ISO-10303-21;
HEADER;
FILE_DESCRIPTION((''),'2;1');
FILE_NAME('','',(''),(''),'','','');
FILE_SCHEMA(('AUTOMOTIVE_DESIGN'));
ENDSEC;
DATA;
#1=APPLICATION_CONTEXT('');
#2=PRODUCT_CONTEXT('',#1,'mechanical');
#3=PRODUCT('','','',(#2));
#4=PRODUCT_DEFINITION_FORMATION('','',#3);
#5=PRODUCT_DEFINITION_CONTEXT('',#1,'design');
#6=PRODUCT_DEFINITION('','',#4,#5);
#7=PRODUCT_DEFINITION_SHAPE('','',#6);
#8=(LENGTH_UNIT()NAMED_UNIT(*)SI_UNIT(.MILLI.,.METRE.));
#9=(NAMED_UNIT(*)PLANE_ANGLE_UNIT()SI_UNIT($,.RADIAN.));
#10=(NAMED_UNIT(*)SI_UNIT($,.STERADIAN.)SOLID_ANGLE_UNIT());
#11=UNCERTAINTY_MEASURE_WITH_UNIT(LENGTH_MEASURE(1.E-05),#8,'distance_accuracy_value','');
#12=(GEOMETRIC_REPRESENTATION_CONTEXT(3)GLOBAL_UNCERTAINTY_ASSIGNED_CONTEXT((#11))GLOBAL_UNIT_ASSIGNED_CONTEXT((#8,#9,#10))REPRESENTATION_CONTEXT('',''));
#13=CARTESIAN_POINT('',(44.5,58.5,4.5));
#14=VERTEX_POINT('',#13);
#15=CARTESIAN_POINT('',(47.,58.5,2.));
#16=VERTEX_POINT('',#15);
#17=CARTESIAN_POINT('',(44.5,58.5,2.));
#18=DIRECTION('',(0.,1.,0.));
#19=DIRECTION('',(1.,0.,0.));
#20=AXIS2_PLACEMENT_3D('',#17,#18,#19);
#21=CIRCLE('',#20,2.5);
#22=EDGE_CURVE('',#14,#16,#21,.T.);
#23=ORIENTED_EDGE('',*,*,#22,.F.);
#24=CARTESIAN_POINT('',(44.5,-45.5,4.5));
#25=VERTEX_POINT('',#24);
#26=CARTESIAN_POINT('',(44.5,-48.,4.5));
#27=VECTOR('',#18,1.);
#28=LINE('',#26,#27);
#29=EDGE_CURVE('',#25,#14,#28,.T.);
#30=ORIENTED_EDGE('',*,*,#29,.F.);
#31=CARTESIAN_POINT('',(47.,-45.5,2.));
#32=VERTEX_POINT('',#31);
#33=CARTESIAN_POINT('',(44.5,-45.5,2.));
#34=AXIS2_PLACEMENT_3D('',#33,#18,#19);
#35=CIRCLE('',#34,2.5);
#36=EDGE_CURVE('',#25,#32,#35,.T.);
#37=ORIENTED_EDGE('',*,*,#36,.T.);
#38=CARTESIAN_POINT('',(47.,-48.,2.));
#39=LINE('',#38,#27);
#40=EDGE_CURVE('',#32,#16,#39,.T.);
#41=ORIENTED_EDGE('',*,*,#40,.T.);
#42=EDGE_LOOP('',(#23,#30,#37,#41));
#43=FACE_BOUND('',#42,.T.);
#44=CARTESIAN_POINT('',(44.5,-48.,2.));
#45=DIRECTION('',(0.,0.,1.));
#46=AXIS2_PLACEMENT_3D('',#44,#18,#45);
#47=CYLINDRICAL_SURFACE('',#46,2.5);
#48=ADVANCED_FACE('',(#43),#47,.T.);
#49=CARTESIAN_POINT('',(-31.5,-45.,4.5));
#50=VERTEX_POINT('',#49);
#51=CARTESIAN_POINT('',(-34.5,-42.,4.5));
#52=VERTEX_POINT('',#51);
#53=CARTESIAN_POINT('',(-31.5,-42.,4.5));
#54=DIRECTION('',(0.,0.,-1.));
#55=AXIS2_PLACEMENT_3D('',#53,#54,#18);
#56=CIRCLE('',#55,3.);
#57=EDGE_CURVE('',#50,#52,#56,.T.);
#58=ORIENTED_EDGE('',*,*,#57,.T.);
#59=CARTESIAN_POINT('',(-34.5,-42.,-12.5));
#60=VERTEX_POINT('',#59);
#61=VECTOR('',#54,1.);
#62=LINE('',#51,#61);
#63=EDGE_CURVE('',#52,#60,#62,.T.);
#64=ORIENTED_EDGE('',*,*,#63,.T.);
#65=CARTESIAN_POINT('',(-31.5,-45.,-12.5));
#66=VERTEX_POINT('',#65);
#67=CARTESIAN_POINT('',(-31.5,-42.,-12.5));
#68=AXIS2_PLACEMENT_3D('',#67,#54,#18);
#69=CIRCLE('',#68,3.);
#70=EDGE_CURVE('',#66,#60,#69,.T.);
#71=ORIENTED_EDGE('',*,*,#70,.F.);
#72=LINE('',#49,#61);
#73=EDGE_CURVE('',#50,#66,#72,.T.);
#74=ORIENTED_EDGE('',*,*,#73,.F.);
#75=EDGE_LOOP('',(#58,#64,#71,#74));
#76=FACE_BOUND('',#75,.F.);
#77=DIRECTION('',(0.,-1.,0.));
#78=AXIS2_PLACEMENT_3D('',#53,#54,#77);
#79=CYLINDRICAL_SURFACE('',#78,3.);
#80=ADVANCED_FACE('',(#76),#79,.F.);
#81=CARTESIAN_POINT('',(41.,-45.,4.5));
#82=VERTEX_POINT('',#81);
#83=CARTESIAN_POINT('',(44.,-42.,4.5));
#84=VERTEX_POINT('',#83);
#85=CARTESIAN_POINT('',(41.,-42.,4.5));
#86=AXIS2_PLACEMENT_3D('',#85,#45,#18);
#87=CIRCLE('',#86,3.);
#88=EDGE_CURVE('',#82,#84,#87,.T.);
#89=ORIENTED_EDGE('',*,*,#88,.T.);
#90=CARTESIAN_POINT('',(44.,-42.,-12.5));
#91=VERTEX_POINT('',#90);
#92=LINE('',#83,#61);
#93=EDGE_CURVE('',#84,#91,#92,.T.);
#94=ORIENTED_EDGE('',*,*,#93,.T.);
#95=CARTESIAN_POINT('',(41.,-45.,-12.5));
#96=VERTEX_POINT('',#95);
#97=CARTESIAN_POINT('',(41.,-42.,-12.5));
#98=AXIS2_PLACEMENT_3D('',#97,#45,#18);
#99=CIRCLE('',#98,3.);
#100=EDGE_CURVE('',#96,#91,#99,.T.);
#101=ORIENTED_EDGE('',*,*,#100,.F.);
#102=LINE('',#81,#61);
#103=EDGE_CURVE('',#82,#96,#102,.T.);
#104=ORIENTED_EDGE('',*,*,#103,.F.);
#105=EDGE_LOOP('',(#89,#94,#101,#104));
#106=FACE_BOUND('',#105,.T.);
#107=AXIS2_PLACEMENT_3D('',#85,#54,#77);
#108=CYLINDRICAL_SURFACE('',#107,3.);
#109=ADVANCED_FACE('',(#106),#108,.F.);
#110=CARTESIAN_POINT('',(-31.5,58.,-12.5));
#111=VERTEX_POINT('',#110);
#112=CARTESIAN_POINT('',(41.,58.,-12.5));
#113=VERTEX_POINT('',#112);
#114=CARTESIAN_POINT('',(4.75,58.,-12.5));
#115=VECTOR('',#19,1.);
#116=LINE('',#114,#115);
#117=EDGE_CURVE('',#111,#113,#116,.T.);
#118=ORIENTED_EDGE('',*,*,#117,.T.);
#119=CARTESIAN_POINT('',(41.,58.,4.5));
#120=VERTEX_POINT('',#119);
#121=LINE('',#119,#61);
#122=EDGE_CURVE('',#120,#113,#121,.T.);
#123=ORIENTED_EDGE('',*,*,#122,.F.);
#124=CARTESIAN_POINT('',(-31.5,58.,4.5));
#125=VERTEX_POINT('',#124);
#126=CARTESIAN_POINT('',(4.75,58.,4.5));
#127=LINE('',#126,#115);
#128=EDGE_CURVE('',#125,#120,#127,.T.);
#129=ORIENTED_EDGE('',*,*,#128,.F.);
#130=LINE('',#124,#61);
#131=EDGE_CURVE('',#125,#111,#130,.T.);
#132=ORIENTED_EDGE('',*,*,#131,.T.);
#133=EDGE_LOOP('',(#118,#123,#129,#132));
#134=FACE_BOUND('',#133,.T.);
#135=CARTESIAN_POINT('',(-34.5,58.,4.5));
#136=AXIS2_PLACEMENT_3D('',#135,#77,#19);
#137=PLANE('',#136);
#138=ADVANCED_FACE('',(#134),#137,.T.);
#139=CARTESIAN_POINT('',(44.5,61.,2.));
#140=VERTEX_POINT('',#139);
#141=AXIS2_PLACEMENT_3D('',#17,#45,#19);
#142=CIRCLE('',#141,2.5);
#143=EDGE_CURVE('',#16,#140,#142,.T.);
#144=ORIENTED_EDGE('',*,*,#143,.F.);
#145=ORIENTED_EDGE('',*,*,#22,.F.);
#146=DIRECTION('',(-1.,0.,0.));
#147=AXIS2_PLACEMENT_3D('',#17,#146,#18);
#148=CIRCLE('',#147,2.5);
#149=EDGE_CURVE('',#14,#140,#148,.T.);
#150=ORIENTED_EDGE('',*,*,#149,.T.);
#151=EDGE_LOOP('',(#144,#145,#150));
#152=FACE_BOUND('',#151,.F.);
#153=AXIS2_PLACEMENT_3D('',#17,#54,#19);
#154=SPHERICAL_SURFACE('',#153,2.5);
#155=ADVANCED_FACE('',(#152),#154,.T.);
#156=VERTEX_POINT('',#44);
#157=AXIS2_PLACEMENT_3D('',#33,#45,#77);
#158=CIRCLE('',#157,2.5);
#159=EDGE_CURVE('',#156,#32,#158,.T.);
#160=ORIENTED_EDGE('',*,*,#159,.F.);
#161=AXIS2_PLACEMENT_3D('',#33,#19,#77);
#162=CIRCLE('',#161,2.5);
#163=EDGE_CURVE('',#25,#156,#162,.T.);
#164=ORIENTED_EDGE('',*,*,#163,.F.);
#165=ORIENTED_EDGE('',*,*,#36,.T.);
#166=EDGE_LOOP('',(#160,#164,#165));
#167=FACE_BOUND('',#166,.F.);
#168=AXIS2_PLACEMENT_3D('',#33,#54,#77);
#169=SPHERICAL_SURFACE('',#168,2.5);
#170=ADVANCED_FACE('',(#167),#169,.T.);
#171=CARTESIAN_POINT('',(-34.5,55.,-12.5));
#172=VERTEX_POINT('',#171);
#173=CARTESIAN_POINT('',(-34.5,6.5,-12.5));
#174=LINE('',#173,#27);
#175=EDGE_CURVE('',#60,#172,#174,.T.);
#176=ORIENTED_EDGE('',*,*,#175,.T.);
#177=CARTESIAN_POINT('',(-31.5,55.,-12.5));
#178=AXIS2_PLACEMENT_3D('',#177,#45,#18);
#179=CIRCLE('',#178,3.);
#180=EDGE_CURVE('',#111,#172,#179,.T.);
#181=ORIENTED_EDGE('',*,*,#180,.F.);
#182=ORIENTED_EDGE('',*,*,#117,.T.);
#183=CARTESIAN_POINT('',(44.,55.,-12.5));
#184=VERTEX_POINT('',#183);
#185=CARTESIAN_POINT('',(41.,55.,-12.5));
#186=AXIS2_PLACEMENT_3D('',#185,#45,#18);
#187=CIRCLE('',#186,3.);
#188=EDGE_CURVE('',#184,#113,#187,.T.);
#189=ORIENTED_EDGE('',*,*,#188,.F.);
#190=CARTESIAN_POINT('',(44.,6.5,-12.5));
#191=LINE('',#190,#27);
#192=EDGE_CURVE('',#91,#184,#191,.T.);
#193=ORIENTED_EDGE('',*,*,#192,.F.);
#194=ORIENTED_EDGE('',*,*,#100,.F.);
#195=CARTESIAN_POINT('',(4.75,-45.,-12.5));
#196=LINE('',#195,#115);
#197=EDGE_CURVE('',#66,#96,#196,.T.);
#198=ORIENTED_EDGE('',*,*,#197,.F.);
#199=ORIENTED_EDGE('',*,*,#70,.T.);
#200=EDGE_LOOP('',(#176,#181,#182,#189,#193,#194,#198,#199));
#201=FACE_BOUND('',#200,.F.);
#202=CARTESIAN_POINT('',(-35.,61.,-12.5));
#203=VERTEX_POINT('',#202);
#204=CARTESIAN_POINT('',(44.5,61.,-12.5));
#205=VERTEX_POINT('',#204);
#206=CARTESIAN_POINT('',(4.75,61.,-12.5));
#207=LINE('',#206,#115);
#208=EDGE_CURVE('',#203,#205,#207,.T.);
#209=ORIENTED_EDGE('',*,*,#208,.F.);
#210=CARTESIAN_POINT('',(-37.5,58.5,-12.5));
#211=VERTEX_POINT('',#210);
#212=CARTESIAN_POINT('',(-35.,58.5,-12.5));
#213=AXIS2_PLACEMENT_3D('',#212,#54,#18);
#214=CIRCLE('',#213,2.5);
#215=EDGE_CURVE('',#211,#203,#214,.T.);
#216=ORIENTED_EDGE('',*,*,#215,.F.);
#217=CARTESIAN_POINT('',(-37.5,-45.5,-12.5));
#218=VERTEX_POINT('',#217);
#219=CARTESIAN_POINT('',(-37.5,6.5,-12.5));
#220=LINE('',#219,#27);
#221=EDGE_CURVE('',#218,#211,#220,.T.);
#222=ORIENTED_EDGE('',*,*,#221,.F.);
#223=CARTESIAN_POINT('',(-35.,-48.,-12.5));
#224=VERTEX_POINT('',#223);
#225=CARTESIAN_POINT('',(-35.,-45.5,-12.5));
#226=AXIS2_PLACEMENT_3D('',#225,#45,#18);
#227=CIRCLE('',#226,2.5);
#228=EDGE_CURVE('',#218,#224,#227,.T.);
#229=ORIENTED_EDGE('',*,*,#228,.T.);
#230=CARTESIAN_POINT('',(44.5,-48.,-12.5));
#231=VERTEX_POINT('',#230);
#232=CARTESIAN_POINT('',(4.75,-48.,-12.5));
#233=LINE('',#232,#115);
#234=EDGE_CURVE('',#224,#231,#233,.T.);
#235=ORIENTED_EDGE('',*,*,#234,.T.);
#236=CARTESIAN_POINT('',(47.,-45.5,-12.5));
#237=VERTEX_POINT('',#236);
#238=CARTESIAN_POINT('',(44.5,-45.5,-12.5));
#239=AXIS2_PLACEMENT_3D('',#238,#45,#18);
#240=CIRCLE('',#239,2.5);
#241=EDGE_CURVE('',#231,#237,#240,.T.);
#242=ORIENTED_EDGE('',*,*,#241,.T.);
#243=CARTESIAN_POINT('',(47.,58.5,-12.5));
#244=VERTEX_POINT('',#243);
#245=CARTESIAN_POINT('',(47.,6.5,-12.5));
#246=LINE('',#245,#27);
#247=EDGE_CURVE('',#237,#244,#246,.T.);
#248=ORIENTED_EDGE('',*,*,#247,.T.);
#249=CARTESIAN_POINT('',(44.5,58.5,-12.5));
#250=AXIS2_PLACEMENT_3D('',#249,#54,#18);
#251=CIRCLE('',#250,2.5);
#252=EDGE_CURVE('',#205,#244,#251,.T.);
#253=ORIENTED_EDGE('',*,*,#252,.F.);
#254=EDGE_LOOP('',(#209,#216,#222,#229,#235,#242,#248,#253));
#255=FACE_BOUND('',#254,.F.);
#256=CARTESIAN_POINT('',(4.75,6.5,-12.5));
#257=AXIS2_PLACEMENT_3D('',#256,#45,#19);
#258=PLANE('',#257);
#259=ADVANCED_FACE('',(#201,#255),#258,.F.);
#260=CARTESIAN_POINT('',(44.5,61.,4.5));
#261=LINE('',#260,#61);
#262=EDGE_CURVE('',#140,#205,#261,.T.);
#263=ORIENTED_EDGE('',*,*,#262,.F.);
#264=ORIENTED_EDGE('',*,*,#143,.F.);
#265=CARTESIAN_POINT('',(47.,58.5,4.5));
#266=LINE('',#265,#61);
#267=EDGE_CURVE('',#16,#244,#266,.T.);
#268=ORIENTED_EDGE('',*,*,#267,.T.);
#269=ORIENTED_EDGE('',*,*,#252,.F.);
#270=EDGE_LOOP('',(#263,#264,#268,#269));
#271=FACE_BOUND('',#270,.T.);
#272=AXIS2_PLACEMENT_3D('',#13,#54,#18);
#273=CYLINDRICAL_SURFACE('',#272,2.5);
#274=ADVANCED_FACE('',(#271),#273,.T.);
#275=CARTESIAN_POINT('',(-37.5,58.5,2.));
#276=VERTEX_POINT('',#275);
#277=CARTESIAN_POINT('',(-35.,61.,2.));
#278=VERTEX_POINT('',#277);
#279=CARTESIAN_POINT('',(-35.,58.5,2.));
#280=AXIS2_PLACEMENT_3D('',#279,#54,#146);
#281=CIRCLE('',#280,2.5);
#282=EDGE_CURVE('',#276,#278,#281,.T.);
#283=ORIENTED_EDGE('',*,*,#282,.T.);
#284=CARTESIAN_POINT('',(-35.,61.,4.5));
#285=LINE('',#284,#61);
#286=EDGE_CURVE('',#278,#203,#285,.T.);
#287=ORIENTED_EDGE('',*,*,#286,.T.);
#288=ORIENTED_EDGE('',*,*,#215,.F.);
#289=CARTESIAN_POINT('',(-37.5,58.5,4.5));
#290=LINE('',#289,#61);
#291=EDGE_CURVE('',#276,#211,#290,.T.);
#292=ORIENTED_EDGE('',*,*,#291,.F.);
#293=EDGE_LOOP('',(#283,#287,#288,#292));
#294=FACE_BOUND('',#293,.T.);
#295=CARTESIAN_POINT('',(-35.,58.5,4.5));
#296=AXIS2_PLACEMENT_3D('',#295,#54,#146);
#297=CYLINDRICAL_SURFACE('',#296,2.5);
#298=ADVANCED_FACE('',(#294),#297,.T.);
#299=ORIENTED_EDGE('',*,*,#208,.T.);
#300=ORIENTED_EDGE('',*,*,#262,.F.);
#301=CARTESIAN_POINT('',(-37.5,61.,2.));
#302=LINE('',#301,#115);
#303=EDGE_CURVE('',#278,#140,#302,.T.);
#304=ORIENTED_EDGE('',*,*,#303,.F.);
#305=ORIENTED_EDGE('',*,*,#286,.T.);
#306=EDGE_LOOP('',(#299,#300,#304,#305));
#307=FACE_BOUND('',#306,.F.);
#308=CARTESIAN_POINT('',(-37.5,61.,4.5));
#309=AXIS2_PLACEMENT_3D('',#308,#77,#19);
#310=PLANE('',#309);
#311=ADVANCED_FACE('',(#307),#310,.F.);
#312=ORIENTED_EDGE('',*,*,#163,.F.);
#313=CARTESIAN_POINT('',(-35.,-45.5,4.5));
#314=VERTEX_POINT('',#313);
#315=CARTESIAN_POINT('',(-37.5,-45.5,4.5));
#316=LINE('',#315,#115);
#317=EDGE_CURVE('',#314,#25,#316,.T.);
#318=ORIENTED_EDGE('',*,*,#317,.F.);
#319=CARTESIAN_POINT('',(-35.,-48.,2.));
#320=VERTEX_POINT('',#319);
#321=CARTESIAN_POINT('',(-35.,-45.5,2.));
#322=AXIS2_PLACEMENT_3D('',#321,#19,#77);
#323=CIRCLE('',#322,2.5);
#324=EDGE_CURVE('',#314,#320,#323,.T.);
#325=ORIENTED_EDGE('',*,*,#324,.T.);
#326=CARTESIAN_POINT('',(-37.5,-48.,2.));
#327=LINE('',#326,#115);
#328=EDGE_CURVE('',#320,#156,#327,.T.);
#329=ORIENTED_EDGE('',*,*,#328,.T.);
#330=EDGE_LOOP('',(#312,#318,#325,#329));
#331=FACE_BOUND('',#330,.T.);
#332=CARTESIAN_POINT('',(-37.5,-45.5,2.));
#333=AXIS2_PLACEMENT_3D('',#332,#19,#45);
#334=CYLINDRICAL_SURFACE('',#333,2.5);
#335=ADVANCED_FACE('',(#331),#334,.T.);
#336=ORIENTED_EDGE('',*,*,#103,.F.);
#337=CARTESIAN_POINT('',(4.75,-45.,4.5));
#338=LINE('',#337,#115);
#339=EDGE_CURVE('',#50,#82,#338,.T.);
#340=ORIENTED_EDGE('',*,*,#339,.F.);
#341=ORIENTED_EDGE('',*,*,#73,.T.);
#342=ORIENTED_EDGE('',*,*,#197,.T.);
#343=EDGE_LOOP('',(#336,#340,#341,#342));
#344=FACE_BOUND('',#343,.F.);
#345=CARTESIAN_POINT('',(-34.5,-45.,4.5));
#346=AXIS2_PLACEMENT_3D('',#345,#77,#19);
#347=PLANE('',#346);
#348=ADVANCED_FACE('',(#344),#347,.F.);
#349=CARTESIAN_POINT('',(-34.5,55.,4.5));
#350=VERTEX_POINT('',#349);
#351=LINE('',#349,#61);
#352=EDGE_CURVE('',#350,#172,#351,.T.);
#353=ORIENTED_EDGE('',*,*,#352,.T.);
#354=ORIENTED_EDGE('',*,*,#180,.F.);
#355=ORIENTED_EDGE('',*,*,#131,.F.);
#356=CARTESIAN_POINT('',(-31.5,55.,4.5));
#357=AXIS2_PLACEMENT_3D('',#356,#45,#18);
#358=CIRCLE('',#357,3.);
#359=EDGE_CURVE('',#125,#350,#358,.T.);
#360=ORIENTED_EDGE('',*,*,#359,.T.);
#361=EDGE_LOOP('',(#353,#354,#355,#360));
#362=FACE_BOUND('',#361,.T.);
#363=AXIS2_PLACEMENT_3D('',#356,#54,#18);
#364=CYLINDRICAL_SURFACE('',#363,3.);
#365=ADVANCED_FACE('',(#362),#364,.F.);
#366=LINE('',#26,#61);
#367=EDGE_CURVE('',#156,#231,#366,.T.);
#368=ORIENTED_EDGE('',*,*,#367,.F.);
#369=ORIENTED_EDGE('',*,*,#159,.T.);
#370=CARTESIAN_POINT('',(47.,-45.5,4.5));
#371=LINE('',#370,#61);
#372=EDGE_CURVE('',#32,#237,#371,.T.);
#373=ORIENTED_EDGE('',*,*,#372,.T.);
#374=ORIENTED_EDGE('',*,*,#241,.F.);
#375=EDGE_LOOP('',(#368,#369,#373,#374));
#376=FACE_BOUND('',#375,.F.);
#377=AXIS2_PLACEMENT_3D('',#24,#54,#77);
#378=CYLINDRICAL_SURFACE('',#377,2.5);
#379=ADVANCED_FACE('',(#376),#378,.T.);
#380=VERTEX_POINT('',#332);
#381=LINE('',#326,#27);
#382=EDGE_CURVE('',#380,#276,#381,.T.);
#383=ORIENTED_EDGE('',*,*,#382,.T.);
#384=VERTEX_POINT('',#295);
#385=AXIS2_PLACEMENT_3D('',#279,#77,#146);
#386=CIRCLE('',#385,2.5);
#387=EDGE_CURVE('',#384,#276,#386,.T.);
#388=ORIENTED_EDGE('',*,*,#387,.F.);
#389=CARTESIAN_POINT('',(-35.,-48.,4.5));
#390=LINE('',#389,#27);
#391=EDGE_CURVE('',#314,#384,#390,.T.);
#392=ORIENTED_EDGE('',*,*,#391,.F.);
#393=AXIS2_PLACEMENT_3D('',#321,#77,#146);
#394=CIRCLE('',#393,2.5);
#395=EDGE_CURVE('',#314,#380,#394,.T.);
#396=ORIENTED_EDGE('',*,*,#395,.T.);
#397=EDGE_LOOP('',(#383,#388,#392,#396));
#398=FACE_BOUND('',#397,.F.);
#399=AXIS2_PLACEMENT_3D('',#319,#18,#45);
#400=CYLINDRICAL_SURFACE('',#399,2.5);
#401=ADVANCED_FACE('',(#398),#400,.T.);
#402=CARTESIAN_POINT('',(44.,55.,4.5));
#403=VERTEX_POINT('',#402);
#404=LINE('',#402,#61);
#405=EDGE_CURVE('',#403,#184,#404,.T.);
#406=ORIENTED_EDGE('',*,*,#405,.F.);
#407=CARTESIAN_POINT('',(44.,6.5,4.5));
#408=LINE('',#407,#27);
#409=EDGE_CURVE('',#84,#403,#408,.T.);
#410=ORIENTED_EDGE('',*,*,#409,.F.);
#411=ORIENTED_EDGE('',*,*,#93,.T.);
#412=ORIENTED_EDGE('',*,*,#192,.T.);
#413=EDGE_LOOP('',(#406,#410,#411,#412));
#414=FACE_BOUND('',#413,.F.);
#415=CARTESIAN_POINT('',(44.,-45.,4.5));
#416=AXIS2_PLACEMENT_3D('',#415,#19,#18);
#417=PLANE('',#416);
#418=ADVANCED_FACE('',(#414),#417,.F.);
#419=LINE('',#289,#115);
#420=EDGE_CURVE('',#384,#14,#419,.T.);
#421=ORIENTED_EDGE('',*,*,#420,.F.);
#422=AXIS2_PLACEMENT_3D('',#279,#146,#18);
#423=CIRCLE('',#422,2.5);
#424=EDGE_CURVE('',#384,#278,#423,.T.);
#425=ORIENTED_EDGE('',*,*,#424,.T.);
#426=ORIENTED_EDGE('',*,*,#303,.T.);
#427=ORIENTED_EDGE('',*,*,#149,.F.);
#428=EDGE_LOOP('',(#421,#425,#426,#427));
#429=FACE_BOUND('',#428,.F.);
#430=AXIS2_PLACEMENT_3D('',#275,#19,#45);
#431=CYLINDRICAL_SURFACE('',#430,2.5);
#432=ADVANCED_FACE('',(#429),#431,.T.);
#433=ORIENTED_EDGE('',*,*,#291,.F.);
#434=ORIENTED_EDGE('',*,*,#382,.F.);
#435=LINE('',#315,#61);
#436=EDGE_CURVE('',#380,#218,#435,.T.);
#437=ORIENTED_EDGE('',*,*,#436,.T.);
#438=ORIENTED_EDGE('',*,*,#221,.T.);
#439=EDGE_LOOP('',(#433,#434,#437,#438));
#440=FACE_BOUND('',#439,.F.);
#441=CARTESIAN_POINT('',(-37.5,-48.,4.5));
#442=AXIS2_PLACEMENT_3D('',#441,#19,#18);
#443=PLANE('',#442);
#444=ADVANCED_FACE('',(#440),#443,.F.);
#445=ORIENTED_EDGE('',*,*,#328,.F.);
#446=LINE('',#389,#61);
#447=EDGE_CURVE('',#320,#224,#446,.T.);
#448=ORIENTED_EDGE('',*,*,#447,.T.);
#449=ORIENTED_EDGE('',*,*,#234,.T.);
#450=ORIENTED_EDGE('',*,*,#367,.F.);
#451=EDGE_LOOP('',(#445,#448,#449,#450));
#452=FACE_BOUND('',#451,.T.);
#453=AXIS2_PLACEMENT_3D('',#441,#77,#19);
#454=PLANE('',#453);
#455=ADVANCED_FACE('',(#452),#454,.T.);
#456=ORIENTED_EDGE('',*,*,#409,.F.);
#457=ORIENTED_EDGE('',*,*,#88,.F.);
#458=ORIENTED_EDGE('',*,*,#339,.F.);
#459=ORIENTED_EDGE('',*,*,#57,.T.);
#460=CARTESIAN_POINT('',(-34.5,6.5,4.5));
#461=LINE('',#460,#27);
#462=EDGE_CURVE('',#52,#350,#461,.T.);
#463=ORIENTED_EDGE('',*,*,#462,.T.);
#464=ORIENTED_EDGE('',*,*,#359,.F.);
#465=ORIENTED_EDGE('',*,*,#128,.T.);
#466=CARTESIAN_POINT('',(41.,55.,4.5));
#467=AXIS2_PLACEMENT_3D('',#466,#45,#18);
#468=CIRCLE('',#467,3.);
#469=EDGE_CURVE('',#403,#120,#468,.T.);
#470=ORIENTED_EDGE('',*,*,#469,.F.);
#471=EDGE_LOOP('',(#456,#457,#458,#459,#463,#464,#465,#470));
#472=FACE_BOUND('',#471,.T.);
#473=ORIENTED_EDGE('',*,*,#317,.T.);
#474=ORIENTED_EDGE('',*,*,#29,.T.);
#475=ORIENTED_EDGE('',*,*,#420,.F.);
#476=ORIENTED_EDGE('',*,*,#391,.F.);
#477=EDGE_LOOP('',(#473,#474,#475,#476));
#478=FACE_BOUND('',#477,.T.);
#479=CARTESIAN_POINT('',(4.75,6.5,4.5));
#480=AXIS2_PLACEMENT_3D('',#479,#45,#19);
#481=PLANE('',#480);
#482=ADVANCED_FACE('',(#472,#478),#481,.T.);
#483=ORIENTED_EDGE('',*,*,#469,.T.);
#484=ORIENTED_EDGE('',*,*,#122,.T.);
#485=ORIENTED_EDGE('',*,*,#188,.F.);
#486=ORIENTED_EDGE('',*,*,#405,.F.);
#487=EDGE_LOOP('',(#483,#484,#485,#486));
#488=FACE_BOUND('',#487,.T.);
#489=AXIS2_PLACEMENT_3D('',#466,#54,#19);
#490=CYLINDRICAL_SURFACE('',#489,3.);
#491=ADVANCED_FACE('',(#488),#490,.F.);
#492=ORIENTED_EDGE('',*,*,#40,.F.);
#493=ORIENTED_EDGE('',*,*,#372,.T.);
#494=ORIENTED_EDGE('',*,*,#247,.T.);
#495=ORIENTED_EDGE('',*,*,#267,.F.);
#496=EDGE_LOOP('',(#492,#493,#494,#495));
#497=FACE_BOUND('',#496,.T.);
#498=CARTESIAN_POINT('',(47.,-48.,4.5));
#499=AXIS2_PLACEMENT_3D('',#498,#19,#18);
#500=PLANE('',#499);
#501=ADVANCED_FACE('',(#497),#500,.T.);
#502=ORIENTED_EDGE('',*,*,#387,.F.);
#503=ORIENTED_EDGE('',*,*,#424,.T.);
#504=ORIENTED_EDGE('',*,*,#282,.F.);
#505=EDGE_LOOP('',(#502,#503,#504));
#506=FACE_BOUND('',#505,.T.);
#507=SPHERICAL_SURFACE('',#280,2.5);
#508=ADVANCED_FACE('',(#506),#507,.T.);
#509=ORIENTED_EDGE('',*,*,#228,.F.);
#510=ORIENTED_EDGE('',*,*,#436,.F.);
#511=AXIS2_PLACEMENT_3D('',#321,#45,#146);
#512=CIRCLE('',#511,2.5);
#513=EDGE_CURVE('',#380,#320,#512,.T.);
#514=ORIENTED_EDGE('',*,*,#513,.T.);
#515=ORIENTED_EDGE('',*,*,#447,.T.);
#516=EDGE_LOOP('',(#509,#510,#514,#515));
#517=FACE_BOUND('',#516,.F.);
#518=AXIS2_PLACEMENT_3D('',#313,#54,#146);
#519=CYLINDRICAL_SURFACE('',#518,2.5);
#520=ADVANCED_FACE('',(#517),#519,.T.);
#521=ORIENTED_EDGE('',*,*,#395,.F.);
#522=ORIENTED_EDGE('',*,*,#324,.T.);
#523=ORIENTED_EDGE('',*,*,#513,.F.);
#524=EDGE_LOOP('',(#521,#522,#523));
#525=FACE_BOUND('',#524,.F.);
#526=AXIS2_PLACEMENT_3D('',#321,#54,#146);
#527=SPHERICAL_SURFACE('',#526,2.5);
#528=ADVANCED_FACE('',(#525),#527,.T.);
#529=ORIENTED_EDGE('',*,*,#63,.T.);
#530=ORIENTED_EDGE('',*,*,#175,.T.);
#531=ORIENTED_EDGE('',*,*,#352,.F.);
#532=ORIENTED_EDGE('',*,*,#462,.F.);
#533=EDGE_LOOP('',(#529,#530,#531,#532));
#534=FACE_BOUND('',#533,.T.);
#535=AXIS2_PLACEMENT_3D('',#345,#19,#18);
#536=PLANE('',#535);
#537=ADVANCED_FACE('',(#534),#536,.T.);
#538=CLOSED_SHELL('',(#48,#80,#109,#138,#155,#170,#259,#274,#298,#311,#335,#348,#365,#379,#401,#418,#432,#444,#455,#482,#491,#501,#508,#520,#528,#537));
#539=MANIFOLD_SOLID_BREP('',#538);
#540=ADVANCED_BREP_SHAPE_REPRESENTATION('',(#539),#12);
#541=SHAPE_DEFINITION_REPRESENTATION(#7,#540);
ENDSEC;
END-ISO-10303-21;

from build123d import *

# Parameters (mm, degrees)
SKETCH014_W   = 84.5
SKETCH014_H   = 109
SKETCH014_W_2 = 78.5
SKETCH014_H_2 = 103
PAD006_DEPTH  = 17
FILLET002_R   = 3
FILLET004_R   = 2.5


with BuildPart() as part:
    # Sketch014 → Pad006 (new body)
    with BuildSketch(Plane.XY):
        with Locations((4.75, 6.5)):
            Rectangle(SKETCH014_W, SKETCH014_H)
        with Locations((4.75, 6.5)):
            Rectangle(SKETCH014_W_2, SKETCH014_H_2, mode=Mode.SUBTRACT)
    extrude(amount=-PAD006_DEPTH)

    # Fillet002
    fillet002_edges = [part.edges().sort_by_distance(p)[0] for p in [
        (-34.5, 58, -8.5),
        (-34.5, -45, -8.5),
        (44, 58, -8.5),
        (44, -45, -8.5),
    ]]
    fillet(fillet002_edges, radius=FILLET002_R)

    # Fillet004
    fillet004_edges = [part.edges().sort_by_distance(p)[0] for p in [
        (47, 61, -8.5),
        (-37.5, 61, -8.5),
        (47, -48, -8.5),
        (-37.5, -48, -8.5),
        (-37.5, 6.5, 0),
        (4.75, -48, 0),
        (47, 6.5, 0),
        (4.75, 61, 0),
    ]]
    fillet(fillet004_edges, radius=FILLET004_R)


with BuildPart() as part_1:
    # Body005 placement: moved
    add(part.part.moved(Location((0, 0, 4.5))))


solid = part_1.part
